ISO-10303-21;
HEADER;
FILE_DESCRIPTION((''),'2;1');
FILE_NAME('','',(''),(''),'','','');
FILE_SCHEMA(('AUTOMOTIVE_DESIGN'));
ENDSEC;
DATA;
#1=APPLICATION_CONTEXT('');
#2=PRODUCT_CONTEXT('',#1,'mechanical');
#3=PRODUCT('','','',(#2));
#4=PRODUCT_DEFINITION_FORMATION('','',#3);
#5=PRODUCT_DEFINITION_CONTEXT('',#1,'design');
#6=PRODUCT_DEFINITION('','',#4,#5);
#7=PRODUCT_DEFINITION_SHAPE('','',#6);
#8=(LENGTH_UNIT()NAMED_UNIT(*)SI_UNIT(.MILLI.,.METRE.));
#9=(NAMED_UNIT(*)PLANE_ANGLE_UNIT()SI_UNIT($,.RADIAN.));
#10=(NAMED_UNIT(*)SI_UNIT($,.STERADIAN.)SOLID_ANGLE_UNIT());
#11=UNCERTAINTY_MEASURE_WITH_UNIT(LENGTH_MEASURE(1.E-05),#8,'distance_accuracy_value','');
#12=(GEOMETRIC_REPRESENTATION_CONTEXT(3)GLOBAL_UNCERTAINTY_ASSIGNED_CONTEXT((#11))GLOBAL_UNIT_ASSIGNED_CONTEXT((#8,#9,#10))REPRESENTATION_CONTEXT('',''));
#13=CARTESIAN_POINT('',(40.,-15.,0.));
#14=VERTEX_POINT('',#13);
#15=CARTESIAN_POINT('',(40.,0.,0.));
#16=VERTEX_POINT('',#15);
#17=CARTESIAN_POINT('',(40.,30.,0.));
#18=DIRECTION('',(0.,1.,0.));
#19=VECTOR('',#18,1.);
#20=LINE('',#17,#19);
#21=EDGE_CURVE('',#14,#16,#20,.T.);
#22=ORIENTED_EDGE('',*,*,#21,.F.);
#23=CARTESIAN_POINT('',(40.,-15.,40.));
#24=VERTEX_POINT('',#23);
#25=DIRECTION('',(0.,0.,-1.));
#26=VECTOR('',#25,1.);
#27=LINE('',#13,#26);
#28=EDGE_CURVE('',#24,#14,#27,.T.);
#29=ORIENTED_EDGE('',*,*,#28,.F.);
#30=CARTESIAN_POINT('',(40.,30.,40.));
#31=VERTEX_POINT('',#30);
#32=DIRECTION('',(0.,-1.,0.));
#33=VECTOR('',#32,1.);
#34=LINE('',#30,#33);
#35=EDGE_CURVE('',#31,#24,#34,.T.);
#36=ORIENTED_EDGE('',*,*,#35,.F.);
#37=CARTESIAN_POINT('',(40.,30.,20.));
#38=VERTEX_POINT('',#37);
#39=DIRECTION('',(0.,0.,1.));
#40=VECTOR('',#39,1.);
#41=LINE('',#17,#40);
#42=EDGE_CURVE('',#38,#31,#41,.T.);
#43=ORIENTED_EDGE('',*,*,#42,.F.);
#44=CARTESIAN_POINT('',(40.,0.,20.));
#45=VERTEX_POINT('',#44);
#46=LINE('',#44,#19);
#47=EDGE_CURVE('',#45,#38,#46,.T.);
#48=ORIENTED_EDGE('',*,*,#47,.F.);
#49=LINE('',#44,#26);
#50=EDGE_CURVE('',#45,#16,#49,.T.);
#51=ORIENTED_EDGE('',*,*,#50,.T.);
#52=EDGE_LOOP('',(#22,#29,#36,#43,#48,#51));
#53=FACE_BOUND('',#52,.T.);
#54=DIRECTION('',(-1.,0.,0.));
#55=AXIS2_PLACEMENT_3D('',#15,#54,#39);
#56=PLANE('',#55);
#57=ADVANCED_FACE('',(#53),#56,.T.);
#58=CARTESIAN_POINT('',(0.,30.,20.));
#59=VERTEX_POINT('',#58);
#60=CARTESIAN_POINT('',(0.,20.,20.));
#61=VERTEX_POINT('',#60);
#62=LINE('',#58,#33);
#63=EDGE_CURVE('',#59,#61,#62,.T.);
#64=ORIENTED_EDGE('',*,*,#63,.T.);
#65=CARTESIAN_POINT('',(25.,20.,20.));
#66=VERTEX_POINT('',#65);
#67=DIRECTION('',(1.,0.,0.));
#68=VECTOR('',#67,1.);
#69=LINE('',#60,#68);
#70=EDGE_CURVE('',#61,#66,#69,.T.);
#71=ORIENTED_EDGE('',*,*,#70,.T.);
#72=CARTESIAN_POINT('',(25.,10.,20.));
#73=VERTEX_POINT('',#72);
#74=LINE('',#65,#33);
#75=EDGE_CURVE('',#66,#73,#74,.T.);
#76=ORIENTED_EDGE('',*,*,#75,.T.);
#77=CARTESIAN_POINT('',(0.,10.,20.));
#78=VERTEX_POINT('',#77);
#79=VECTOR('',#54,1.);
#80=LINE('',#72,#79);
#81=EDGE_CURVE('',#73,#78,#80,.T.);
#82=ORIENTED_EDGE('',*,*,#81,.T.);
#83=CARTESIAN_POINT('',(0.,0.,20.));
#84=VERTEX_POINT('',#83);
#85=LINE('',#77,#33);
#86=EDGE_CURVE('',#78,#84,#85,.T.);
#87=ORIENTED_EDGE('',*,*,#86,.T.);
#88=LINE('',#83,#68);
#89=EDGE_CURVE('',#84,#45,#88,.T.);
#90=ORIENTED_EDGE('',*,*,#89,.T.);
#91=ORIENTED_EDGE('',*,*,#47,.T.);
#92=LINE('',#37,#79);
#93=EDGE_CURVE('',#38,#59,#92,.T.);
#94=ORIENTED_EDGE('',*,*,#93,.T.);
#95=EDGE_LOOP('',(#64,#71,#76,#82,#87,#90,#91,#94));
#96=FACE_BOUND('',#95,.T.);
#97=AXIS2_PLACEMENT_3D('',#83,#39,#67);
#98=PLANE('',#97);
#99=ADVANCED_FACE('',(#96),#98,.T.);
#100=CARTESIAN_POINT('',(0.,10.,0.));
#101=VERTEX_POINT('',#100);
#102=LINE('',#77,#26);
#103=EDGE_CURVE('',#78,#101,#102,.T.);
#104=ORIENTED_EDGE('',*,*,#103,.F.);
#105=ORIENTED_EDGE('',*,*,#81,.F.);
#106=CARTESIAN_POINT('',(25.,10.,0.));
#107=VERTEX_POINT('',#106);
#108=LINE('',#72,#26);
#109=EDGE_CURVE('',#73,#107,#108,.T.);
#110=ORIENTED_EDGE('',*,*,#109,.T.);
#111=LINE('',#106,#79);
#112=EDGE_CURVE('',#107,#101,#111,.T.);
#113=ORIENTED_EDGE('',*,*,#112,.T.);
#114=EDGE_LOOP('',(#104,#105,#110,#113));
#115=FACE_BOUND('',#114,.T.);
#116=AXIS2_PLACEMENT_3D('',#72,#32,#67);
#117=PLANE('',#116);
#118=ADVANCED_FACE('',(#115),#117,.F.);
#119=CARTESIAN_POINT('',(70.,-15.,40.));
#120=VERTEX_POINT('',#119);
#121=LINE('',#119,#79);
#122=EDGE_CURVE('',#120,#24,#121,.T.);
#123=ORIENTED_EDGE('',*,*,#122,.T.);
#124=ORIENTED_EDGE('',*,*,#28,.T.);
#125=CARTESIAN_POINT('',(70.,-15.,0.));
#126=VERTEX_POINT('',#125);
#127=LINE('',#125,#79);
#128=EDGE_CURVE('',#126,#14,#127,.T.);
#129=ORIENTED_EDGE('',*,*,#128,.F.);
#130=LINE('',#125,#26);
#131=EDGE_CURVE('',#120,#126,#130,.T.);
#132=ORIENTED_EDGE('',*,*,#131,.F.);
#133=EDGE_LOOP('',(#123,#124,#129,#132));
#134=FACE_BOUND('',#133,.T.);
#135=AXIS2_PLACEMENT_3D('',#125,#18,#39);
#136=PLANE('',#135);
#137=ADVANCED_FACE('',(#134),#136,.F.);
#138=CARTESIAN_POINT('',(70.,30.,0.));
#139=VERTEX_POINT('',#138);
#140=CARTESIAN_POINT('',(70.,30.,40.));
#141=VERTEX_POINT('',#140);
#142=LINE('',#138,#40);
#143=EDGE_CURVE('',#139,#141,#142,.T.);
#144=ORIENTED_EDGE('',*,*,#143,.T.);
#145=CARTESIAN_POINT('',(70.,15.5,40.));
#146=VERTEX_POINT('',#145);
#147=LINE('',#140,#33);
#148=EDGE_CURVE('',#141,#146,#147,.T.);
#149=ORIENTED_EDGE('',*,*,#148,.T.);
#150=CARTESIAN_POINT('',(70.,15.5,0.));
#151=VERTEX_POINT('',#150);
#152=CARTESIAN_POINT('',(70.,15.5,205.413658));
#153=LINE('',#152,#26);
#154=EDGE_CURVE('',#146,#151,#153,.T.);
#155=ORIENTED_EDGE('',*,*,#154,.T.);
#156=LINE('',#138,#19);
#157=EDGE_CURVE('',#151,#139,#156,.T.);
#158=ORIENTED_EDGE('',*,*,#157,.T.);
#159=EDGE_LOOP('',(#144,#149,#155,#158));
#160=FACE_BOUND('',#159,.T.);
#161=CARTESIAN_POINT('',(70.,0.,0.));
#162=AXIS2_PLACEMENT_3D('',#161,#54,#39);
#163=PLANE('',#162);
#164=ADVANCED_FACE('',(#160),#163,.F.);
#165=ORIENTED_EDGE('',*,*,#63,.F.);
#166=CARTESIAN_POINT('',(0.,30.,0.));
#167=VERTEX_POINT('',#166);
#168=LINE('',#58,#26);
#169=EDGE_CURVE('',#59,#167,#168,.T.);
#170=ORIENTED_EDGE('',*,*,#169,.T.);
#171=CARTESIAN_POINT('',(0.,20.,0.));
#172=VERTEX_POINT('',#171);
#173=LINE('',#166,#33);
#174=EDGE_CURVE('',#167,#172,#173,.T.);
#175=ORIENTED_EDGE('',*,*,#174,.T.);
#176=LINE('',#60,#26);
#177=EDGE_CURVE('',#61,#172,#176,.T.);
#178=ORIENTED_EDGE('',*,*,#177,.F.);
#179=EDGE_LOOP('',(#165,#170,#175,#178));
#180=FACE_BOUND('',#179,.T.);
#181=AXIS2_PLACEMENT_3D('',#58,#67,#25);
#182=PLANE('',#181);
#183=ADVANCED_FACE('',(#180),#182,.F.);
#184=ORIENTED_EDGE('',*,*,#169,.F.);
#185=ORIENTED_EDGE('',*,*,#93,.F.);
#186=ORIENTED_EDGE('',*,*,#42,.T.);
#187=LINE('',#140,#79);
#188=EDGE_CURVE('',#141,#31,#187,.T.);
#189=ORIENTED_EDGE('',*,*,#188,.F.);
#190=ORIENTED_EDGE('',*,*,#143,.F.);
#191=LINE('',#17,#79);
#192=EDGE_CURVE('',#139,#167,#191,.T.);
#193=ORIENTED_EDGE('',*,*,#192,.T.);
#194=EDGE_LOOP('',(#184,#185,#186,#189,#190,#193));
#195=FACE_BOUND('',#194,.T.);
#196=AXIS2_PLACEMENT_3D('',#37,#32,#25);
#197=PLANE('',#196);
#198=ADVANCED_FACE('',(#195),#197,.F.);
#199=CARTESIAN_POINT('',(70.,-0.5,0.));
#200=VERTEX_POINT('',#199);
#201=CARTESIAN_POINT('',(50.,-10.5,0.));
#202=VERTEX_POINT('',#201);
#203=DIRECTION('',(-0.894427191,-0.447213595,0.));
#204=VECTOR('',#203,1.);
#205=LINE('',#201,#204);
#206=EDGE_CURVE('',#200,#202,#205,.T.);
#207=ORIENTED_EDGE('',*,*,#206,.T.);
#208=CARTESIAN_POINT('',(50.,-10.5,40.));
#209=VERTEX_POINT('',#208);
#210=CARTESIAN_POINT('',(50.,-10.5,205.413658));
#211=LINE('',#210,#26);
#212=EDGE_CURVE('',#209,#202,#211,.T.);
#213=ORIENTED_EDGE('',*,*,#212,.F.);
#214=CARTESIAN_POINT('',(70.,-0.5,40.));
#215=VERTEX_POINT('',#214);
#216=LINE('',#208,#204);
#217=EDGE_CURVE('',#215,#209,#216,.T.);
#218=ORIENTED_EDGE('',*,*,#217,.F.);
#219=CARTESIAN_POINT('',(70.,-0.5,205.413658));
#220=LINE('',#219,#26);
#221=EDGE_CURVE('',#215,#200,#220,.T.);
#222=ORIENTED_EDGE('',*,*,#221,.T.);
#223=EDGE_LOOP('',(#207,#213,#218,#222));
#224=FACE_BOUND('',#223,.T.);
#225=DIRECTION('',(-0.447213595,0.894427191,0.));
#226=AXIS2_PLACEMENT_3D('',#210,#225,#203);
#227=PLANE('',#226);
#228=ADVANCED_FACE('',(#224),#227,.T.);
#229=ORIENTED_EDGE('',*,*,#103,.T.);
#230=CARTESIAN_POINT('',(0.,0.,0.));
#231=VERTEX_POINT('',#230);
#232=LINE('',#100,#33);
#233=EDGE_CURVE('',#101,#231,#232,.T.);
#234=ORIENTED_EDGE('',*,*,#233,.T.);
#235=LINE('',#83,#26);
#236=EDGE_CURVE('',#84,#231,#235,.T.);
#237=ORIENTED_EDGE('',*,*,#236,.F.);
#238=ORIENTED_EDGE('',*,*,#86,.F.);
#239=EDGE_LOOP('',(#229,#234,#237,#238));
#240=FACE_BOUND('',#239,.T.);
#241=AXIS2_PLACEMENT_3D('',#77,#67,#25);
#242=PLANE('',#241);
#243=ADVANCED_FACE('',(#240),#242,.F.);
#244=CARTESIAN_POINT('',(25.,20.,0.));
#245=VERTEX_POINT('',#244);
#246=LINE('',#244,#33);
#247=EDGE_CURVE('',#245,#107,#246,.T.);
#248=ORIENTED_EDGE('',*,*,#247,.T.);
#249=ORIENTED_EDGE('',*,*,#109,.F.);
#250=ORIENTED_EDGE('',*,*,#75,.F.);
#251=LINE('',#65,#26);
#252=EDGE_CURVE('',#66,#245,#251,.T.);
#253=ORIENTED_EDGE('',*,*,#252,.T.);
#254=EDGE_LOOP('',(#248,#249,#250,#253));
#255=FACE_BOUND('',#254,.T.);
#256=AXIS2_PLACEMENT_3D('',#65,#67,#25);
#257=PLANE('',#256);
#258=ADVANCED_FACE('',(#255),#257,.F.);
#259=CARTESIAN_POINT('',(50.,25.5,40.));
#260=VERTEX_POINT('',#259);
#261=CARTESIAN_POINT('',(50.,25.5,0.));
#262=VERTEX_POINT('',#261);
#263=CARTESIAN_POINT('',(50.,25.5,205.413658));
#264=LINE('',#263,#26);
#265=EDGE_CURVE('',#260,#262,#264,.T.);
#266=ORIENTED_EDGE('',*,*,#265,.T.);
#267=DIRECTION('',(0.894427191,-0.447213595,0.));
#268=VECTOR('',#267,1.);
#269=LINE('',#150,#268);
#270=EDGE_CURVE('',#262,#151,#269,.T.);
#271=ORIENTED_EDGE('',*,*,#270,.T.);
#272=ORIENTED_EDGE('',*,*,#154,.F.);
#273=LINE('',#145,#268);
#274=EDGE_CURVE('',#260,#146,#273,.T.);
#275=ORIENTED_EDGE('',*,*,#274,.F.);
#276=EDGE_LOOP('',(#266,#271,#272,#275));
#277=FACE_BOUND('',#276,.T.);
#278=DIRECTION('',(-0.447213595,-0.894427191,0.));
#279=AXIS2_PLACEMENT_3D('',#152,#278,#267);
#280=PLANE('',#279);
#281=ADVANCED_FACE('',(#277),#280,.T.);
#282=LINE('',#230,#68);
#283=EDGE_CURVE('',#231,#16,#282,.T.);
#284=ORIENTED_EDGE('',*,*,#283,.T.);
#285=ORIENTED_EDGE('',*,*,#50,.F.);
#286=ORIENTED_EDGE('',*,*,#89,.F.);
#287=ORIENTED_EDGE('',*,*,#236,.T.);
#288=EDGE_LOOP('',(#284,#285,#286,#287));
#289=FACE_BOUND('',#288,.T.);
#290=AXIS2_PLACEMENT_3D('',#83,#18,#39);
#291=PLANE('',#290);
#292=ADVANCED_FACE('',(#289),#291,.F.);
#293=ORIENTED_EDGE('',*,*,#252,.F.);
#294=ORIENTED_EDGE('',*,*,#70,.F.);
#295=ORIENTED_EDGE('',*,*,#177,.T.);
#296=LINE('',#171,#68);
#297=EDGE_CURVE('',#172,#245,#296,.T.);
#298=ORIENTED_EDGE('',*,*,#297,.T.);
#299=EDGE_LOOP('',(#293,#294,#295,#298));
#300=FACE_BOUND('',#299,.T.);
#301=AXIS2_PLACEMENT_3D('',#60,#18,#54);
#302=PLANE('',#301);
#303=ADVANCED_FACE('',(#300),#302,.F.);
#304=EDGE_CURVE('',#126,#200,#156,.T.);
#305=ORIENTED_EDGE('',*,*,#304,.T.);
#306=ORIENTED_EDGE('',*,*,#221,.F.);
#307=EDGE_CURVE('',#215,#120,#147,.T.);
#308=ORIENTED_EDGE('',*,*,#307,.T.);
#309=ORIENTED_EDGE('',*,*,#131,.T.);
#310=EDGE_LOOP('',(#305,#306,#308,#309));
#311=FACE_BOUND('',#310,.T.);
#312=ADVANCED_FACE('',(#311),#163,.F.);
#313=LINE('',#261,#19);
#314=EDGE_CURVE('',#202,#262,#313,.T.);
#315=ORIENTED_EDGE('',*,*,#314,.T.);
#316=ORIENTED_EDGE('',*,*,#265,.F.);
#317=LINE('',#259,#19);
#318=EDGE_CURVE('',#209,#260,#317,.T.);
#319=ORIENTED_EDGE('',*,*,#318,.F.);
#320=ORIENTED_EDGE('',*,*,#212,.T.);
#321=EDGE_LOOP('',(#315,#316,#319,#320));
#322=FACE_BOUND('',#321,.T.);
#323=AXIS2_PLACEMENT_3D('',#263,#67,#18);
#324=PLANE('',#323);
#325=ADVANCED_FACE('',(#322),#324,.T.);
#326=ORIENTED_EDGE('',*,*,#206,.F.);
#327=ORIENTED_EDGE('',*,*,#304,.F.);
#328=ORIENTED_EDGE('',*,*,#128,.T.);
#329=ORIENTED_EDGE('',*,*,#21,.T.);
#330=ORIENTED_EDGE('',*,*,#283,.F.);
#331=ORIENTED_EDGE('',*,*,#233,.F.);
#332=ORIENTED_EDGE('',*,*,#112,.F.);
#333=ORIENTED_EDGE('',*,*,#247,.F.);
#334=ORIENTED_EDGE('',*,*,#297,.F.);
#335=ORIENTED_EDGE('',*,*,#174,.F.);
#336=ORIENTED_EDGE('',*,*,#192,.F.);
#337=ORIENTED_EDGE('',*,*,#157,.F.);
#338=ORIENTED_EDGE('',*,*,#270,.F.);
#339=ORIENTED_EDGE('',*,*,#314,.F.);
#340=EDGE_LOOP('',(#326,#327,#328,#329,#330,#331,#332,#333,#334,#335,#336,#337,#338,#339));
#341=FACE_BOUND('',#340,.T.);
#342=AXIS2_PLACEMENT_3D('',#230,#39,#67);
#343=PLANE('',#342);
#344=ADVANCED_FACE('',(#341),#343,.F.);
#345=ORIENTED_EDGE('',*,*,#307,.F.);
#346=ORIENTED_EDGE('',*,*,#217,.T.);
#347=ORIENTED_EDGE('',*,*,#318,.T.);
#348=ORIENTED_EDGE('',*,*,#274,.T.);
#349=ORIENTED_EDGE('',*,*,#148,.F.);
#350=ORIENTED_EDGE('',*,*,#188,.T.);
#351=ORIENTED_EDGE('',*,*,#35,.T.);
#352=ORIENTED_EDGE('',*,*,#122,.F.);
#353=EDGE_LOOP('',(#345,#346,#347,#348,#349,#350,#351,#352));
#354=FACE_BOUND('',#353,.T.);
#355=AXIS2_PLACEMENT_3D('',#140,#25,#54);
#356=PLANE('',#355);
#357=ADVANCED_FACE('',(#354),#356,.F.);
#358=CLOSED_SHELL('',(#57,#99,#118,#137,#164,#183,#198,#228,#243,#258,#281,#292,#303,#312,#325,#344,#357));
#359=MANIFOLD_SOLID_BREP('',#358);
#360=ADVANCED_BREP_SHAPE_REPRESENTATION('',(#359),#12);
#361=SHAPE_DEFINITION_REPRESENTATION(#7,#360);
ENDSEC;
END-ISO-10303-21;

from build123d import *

# Parameters (mm, degrees)
AUFSATZ_LINEAR_AUSTRAGEN1_DEPTH      = 20
SKIZZE2_W                            = 40
SKIZZE2_H                            = 45
AUFSATZ_LINEAR_AUSTRAGEN3_DEPTH      = 30
SCHNITT_LINEAR_AUSTRAGEN1_DEPTH      = 87.02325267
SCHNITT_LINEAR_AUSTRAGEN1_DEPTH_BACK = 40


with BuildPart() as part:
    # Skizze1 → Aufsatz-Linear austragen1 (new body)
    with BuildSketch(Plane.XY):
        Polygon((0, 0), (40, 0), (40, 30), (0, 30), (0, 20), (25, 20), (25, 10), (0, 10), align=None)
    extrude(amount=AUFSATZ_LINEAR_AUSTRAGEN1_DEPTH)

    # Skizze2 → Aufsatz-Linear austragen3 (add)
    with BuildSketch(Plane(origin=(40, 0, 0), x_dir=(0, 0, -1), z_dir=(1, 0, 0))):
        with Locations((-20, 7.5)):
            Rectangle(SKIZZE2_W, SKIZZE2_H)
    extrude(amount=AUFSATZ_LINEAR_AUSTRAGEN3_DEPTH)

    # Skizze3 → Schnitt-Linear austragen1 (cut, two sides: drawn at the far end of the back side and taken through both)
    with BuildSketch(Plane.XY.offset(40).offset(-SCHNITT_LINEAR_AUSTRAGEN1_DEPTH_BACK)):
        Polygon((215.534169047, -57.267084524), (70, 15.5), (50, 25.5), (50, -10.5), (70, -0.5), (215.534169047, 72.267084524), (-109.890125992, 72.267084524), (-109.890125992, -57.267084524), align=None)
    extrude(amount=SCHNITT_LINEAR_AUSTRAGEN1_DEPTH + SCHNITT_LINEAR_AUSTRAGEN1_DEPTH_BACK, mode=Mode.SUBTRACT)


solid = part.part
